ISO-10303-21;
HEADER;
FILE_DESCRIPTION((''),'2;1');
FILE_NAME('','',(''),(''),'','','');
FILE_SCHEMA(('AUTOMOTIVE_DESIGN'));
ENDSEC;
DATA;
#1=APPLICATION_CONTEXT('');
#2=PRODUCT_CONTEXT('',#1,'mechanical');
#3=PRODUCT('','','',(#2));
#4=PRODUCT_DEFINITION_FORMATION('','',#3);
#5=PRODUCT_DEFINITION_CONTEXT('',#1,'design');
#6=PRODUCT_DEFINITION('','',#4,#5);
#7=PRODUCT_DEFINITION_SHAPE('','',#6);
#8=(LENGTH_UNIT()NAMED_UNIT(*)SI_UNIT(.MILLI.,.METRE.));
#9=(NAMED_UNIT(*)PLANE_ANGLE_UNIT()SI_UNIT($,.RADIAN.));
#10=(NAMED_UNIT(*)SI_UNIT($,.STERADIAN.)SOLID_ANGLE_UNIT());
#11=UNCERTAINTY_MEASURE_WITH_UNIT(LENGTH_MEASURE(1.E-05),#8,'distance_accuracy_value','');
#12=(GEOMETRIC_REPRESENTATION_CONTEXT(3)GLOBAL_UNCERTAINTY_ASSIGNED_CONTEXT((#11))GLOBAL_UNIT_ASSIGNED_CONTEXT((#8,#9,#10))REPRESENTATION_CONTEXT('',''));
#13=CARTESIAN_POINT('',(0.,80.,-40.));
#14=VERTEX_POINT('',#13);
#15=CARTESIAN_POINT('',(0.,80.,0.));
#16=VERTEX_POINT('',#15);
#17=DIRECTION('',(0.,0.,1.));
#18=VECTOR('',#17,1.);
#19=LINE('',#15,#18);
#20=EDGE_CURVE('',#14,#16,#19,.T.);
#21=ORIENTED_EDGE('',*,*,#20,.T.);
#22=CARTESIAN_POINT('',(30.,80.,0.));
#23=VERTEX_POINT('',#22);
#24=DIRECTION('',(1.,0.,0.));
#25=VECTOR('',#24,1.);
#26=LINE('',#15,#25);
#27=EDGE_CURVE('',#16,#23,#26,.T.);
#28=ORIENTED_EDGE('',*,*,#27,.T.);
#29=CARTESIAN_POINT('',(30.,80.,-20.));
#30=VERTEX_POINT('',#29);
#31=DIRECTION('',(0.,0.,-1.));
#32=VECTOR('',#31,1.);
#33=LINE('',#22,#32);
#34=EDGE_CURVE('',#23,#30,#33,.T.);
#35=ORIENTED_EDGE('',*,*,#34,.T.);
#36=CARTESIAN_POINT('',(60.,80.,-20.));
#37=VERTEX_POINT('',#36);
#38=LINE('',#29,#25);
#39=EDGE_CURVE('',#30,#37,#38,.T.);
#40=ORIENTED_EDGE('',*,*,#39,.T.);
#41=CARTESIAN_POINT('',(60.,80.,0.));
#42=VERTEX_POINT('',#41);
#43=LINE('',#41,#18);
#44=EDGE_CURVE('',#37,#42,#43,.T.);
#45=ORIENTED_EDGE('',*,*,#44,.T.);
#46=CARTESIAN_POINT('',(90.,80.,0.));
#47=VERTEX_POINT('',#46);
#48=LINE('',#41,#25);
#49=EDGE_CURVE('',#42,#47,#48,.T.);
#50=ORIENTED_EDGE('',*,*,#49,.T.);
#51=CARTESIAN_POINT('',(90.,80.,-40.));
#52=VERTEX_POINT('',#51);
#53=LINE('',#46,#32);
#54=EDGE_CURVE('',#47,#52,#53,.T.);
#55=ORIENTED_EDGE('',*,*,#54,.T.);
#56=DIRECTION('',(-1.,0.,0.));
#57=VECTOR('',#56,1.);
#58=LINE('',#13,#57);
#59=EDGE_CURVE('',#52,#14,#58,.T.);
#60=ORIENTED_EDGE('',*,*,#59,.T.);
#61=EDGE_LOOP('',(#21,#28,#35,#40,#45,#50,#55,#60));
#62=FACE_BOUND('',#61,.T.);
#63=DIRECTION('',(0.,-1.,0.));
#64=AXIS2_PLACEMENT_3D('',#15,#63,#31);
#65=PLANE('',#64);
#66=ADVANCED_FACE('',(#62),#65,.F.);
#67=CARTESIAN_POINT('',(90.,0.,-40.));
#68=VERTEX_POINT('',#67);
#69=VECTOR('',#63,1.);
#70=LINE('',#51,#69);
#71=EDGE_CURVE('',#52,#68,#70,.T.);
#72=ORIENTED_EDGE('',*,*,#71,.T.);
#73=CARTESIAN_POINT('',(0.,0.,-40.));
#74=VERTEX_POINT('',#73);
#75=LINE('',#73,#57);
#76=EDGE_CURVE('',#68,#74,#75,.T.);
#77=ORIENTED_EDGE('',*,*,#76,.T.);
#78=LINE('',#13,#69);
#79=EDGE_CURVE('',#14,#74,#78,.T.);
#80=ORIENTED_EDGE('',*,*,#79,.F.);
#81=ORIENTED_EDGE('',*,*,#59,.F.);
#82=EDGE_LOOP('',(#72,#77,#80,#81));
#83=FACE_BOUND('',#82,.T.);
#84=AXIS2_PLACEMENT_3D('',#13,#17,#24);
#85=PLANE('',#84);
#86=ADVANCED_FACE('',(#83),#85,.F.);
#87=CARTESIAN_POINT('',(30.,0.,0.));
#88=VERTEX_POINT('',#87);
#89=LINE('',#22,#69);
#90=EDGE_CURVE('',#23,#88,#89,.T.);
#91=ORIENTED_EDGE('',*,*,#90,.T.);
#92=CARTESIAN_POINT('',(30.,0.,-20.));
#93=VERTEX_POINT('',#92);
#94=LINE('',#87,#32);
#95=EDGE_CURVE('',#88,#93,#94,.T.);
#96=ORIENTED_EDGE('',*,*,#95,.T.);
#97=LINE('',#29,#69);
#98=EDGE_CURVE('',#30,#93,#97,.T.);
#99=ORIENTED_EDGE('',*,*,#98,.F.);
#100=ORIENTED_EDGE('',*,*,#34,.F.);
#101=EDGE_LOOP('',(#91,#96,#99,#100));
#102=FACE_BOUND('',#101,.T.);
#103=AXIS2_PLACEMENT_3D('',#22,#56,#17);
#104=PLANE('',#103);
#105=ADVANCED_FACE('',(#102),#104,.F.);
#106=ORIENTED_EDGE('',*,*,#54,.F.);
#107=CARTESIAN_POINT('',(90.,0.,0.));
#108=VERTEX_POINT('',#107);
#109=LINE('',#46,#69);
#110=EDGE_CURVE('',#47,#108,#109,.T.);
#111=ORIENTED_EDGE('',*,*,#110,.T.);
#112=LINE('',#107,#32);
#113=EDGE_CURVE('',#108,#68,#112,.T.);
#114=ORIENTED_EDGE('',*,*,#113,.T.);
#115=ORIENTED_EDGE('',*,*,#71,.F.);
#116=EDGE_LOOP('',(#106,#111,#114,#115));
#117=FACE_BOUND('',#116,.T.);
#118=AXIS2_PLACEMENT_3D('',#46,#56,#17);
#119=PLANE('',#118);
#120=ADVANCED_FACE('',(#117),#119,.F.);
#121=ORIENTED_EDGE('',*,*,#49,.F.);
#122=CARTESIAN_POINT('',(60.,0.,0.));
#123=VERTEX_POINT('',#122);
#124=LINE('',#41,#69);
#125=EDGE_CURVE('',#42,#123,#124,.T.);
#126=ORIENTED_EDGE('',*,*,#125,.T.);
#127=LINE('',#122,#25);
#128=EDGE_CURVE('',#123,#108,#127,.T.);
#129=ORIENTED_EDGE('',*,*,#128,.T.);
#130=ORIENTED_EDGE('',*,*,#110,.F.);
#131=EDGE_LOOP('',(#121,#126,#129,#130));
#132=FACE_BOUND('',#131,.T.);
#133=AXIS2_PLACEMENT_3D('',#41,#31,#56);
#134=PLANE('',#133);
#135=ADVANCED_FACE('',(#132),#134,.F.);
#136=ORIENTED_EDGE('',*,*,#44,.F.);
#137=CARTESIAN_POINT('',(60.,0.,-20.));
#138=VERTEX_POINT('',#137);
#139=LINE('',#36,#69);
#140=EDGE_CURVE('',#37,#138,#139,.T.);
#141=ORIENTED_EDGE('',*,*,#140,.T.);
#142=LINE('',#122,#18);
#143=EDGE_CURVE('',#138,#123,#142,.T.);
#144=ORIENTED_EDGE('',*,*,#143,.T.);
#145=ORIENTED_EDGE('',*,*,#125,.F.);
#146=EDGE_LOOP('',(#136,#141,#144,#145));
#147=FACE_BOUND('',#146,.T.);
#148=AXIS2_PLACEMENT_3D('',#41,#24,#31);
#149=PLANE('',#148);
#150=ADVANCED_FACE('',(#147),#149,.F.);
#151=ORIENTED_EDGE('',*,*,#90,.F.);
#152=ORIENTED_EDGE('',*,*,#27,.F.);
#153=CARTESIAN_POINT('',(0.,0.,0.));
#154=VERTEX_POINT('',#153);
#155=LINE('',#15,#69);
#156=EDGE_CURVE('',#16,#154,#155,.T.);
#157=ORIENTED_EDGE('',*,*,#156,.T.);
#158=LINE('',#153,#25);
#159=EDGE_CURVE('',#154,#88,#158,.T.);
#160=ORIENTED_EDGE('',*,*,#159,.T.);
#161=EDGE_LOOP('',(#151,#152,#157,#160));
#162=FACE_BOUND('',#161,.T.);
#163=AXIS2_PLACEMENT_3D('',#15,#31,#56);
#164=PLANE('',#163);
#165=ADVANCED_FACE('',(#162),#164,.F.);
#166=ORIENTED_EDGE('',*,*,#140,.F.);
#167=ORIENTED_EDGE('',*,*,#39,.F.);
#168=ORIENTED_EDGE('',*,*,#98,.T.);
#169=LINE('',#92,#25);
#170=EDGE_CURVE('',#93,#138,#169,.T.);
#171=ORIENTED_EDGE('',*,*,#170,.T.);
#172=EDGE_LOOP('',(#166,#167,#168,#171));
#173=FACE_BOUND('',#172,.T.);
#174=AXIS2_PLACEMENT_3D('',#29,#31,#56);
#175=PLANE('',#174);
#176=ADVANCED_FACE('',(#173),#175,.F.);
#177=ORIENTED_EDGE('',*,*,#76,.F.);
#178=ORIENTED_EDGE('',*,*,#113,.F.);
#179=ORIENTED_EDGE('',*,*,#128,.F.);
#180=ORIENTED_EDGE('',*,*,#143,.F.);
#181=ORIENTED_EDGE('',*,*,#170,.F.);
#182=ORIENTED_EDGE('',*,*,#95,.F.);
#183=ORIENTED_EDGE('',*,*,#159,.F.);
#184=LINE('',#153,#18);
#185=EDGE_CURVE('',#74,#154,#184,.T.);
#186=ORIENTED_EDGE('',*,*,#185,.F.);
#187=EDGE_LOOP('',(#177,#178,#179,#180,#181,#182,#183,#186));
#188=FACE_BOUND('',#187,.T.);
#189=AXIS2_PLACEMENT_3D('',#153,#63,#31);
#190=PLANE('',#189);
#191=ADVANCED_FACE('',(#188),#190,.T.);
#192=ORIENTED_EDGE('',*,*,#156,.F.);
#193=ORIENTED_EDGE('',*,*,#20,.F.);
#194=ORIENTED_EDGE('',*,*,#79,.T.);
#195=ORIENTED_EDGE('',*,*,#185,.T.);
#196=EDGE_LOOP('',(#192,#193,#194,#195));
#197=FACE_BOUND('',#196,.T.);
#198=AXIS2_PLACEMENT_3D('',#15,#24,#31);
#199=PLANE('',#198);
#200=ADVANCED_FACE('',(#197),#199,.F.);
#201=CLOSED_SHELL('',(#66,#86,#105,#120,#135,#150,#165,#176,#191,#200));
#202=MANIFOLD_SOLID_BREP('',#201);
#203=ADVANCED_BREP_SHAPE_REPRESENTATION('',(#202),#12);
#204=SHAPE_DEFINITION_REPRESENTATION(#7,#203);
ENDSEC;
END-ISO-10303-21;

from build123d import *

# Parameters (mm, degrees)
BOSS_EXTRUDE1_DEPTH = 80


with BuildPart() as part:
    # Sketch1 → Boss-Extrude1 (new body)
    with BuildSketch(Plane(origin=(0, 0, 0), x_dir=(1, 0, 0), z_dir=(0, 1, 0))):
        Polygon((60, 0), (90, 0), (90, 40), (0, 40), (0, 0), (30, 0), (30, 20), (60, 20), align=None)
    extrude(amount=BOSS_EXTRUDE1_DEPTH)


solid = part.part
